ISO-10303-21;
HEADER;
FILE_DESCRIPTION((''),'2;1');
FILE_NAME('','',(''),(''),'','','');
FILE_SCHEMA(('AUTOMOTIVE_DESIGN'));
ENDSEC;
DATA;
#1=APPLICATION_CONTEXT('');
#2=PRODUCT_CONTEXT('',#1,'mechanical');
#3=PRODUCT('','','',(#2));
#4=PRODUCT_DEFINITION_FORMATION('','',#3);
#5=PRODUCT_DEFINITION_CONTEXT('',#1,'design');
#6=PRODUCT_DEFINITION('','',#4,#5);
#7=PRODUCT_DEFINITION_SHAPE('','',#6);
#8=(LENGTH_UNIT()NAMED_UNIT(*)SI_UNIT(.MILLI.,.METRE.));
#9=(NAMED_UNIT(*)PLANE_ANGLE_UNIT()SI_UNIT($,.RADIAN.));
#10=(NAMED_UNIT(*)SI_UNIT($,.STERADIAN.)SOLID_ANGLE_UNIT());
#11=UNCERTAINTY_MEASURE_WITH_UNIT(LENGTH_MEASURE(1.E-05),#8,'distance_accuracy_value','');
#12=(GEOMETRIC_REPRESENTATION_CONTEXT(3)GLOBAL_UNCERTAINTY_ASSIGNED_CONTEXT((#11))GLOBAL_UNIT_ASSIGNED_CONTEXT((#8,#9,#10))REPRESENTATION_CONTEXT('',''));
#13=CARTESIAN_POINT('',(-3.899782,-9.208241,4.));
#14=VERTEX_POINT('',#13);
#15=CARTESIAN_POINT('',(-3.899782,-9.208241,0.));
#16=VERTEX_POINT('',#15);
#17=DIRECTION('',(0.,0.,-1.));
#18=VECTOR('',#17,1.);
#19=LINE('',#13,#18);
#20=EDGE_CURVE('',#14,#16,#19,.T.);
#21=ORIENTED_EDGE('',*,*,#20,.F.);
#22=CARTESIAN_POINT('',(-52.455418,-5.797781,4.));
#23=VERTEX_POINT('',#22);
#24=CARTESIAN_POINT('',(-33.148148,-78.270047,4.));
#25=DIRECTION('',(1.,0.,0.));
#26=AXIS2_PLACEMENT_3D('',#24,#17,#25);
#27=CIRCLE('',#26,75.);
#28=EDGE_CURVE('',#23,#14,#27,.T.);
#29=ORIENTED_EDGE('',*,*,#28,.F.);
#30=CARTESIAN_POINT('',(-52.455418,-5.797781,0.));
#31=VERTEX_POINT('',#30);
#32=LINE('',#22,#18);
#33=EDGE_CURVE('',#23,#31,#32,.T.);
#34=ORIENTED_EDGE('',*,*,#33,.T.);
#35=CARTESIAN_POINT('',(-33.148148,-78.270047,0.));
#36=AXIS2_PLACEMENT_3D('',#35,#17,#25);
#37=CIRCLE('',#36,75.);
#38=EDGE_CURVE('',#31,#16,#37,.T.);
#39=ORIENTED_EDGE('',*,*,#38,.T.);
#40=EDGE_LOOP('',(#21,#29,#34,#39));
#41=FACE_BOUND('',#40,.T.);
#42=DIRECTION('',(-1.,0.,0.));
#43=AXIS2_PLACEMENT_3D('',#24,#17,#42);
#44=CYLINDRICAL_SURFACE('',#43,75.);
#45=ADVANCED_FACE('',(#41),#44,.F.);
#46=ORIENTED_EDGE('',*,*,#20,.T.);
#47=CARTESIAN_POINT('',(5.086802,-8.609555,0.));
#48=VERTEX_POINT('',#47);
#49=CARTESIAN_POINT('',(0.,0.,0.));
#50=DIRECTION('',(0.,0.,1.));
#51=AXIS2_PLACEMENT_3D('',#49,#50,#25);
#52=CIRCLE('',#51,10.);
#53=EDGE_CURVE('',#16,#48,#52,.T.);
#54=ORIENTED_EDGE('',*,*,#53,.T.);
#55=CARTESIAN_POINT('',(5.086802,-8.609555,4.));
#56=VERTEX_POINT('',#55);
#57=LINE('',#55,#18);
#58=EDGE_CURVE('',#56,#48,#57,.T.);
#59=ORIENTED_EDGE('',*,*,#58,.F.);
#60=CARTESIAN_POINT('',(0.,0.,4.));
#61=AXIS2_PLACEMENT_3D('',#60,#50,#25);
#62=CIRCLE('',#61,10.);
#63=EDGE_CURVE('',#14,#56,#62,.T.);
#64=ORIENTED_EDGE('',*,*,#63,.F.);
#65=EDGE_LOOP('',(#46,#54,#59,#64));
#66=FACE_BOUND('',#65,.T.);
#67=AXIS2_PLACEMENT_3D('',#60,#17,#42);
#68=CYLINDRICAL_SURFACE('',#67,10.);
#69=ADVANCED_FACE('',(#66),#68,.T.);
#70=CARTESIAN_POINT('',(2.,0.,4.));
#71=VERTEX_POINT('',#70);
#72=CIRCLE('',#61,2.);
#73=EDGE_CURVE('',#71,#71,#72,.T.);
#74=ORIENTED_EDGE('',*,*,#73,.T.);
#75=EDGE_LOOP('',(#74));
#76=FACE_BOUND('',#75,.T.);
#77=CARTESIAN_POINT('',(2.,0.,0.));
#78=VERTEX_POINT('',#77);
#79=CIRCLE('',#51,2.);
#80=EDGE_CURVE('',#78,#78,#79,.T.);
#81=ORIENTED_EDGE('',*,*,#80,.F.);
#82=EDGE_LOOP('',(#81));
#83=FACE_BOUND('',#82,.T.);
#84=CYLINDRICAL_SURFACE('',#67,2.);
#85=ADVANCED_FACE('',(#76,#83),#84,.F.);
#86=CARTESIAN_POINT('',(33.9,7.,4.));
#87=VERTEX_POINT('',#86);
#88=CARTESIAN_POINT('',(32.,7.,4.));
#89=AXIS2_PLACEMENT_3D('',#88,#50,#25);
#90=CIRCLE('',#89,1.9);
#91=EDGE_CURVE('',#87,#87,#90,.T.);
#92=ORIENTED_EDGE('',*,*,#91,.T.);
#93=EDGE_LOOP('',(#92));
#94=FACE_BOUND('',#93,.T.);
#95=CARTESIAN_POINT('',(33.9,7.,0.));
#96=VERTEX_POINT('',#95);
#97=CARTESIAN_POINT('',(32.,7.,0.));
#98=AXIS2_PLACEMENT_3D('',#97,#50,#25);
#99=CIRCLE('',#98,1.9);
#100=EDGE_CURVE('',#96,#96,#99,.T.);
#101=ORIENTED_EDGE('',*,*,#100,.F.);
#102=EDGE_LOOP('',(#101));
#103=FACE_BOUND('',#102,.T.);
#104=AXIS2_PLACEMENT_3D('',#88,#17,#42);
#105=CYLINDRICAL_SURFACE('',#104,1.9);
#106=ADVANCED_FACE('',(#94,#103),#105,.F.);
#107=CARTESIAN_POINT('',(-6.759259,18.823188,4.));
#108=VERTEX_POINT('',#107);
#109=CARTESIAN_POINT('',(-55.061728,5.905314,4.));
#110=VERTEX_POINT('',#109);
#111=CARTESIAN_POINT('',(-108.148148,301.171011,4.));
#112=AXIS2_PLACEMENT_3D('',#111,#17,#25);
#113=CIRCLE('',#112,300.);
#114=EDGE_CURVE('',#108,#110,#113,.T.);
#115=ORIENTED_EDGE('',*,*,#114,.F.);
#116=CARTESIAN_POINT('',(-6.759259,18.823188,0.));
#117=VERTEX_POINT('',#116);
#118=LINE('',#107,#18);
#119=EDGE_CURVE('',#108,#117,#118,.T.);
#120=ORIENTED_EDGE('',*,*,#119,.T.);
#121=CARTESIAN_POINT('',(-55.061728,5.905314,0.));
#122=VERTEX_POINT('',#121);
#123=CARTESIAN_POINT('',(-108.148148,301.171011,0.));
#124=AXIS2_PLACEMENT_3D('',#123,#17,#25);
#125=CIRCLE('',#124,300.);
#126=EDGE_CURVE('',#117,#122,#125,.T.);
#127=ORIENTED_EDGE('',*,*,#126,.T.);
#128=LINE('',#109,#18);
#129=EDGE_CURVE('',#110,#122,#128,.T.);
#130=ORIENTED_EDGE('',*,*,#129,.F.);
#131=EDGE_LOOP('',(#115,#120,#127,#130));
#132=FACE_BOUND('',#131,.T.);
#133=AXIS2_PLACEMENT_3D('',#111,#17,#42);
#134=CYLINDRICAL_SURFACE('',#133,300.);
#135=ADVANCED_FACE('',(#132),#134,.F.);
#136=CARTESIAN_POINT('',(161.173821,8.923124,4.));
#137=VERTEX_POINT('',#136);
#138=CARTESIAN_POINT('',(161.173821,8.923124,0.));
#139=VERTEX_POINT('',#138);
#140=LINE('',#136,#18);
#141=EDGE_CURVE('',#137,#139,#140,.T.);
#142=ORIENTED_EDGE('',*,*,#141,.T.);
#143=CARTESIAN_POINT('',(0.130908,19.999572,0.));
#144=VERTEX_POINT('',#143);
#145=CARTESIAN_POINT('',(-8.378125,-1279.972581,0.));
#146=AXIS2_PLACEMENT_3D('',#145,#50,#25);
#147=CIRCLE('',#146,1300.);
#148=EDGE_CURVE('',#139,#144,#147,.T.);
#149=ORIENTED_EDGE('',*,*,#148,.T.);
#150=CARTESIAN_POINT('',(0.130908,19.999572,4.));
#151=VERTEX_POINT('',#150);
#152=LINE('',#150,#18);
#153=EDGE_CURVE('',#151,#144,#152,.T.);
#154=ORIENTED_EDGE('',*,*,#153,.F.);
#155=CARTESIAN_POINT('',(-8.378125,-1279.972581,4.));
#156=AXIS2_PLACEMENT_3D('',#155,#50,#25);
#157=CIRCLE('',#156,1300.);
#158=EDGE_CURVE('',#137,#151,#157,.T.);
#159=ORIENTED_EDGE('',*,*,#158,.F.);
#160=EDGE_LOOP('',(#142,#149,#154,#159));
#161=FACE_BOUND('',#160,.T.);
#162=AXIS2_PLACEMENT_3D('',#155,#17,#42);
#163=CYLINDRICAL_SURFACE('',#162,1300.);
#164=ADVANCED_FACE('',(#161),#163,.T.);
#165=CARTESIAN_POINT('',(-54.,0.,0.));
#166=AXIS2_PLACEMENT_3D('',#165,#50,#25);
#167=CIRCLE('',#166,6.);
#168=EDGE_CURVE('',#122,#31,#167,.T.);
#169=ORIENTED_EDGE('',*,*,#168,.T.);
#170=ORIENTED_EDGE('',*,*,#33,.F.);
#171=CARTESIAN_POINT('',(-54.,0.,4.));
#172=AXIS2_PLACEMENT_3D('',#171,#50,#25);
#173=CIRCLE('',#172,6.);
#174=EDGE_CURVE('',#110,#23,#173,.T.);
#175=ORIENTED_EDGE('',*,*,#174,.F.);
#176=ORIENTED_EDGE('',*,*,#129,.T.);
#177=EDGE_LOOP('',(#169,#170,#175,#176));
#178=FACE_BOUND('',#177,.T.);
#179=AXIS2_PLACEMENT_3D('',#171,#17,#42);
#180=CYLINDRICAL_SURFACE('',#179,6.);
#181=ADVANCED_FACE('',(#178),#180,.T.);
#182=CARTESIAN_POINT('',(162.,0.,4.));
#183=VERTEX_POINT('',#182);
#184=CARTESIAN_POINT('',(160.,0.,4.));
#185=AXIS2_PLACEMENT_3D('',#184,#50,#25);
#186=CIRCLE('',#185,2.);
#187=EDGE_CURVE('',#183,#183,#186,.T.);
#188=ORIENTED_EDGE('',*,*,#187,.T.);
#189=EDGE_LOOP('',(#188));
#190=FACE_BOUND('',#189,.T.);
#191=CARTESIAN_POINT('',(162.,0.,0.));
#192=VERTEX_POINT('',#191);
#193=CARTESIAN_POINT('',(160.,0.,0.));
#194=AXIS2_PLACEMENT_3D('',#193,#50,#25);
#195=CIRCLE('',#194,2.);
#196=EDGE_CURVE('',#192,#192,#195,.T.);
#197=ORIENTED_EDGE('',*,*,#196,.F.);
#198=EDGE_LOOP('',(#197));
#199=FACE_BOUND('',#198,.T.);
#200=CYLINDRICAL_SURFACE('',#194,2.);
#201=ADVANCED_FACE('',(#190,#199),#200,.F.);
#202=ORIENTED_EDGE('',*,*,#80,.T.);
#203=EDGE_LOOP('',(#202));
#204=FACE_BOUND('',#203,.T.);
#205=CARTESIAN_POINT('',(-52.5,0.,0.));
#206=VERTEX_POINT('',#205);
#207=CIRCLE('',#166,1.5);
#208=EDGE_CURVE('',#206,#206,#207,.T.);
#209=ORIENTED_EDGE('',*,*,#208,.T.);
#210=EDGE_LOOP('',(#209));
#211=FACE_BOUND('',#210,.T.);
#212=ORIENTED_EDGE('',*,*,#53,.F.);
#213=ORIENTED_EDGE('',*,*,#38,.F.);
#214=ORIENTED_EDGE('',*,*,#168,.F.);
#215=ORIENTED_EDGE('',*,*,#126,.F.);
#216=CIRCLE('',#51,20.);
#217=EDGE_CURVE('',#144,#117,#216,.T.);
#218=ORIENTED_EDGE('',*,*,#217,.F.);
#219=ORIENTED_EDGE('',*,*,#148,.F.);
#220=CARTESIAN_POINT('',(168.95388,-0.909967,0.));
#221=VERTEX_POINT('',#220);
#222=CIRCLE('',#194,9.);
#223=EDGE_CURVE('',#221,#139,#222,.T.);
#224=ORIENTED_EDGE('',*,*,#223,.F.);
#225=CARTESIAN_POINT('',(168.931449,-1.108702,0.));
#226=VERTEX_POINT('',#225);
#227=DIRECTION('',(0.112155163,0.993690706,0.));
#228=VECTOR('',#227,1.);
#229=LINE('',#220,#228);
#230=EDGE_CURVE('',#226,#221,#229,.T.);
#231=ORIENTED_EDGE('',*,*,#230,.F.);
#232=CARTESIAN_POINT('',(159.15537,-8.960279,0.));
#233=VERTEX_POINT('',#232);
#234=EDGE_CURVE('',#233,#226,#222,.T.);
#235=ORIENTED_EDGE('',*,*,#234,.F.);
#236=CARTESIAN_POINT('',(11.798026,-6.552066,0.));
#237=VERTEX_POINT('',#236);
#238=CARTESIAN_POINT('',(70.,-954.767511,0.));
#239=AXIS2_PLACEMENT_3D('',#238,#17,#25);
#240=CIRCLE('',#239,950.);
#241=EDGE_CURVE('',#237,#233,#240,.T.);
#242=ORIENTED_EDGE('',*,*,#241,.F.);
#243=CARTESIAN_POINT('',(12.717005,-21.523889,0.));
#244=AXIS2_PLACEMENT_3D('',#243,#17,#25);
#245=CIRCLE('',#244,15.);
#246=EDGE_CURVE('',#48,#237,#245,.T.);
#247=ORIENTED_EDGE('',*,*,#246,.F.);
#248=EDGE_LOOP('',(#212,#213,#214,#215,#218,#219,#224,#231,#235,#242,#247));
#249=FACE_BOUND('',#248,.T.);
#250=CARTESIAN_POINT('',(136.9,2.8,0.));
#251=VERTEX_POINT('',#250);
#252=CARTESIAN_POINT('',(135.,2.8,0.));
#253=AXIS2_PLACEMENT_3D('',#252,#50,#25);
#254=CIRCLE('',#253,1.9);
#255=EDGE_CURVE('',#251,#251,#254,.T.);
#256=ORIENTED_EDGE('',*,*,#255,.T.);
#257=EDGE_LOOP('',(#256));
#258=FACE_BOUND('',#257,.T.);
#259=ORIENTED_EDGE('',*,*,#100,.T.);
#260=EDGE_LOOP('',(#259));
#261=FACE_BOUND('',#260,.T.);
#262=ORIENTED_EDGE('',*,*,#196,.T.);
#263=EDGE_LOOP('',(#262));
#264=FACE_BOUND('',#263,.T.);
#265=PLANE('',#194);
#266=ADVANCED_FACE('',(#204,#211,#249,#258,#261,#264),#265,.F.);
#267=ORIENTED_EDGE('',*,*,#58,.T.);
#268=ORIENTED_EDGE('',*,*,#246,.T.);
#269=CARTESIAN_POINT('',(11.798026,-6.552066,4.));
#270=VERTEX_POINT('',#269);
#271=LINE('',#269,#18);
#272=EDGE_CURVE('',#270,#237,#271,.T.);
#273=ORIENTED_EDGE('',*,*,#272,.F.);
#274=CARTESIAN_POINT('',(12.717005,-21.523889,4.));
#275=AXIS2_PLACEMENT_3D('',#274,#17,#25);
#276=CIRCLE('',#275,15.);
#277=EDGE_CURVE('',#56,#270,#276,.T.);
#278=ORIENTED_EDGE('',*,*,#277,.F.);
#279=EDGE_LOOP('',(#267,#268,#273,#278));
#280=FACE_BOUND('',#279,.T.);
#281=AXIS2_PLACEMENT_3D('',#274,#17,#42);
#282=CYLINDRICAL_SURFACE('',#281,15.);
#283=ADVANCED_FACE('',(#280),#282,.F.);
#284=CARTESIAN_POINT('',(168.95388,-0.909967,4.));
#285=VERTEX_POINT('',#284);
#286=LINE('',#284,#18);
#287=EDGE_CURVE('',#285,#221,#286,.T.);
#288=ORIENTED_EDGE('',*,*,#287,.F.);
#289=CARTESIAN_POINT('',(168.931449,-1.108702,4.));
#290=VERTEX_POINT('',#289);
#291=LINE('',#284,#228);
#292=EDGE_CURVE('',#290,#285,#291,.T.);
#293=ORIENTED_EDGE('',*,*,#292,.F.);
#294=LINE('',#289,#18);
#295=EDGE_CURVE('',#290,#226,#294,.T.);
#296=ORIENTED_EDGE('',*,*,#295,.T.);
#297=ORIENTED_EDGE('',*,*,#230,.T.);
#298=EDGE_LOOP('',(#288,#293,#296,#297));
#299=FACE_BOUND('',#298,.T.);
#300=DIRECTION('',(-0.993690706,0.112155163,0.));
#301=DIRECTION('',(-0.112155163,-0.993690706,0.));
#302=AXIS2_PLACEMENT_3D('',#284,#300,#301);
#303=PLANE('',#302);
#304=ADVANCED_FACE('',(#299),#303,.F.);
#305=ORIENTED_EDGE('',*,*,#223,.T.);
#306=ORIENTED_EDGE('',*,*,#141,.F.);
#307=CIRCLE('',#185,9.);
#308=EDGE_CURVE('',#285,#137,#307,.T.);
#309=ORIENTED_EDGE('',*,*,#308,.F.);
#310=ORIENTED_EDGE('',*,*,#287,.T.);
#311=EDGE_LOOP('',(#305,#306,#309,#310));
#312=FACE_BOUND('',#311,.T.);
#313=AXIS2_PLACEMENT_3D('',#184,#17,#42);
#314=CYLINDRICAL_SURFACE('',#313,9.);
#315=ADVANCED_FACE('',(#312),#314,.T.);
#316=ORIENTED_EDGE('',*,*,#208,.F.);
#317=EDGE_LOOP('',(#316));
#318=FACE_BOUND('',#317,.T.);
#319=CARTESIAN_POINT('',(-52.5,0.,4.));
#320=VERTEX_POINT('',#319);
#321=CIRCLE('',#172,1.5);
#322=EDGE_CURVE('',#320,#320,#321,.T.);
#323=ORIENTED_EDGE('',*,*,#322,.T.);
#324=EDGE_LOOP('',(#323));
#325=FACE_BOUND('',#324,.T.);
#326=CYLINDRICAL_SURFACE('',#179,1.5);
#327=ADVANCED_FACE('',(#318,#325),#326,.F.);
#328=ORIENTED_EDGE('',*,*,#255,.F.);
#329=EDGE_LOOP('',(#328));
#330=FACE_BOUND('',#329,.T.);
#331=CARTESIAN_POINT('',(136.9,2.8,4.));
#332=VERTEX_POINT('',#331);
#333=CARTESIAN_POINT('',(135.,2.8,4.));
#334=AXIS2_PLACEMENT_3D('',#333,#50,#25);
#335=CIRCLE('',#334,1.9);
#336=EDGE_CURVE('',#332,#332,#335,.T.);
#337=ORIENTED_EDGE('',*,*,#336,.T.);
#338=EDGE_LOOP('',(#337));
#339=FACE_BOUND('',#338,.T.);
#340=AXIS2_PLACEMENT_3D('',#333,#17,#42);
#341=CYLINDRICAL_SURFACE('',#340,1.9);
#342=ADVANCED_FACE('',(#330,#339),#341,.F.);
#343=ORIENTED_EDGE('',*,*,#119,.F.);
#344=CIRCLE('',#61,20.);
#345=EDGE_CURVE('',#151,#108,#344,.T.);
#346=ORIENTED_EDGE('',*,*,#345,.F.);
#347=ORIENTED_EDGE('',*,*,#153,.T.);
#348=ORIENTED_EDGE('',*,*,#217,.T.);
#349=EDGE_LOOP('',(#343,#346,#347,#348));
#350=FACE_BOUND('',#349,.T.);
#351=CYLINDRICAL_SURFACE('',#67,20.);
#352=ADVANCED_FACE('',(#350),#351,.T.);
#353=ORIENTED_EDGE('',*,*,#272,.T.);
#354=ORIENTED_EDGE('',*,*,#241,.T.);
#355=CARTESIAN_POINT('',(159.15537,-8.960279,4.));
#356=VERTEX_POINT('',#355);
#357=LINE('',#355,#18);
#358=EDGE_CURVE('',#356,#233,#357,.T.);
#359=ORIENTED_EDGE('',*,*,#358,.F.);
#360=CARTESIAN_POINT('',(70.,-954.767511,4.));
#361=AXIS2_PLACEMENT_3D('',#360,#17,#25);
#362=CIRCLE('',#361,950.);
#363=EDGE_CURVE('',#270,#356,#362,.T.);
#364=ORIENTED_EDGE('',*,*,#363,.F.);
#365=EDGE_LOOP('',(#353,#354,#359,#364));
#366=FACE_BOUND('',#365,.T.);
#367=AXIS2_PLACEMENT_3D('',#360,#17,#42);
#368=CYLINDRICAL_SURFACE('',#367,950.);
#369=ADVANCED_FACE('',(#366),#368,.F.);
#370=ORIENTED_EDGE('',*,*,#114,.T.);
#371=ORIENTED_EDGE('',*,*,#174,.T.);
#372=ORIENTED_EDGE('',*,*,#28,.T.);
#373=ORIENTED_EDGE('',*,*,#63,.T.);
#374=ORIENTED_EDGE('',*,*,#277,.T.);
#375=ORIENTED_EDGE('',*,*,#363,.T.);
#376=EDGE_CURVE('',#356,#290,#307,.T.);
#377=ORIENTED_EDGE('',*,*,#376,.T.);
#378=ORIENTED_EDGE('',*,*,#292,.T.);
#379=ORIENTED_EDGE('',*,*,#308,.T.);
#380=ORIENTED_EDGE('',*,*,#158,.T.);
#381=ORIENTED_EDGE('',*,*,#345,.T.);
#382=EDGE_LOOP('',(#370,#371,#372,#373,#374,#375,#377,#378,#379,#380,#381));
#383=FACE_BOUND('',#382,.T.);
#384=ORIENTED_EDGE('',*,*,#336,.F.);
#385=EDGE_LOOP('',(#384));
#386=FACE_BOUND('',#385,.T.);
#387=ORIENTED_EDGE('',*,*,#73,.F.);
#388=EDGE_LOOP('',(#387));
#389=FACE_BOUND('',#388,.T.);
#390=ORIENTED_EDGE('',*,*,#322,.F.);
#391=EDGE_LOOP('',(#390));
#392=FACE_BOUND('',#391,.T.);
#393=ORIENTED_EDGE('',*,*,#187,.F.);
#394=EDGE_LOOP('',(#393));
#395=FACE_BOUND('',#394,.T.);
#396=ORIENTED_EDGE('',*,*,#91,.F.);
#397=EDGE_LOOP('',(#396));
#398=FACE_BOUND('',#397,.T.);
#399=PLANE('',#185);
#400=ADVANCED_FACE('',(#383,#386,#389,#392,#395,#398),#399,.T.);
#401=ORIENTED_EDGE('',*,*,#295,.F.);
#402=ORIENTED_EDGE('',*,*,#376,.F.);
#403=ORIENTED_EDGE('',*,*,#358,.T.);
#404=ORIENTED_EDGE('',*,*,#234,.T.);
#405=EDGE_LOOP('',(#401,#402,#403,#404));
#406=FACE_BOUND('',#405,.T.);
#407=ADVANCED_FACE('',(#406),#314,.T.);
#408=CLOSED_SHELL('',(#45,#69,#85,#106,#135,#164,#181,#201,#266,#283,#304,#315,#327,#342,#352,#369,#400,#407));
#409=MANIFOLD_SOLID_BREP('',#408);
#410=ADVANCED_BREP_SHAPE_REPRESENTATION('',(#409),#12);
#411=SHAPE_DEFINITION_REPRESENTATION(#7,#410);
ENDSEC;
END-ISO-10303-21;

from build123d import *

# Parameters (mm, degrees)
SKETCH_1_R          = 1.9
SKETCH_1_R_2        = 1.5
SKETCH_1_R_3        = 2
EXTRUDE_1_DEPTH     = 4
SKETCH_2_R          = 2
CUT_EXTRUDE_1_DEPTH = 171.226319939


with BuildPart() as part:
    # 草图1 → 凸台-拉伸1 (new body)
    with BuildSketch(Plane.XY):
        with BuildLine():
            Line((168.953879648, -0.909966618), (168.931448962, -1.108701692))
            ThreePointArc((168.931448962, -1.108701692), (165.63568786, -7.017052255), (159.155370177, -8.960279039))
            ThreePointArc((159.155370177, -8.960279039), (85.523468127, -4.894349995), (11.798026408, -6.552065898))
            ThreePointArc((11.798026408, -6.552065898), (8.320365096, -7.182704729), (5.086801975, -8.609555486))
            ThreePointArc((5.086801975, -8.609555486), (0.664725554, -9.977882538), (-3.899782135, -9.208240836))
            ThreePointArc((-3.899782135, -9.208240836), (-27.893230932, -3.454367969), (-52.455418381, -5.797781267))
            ThreePointArc((-52.455418381, -5.797781267), (-59.85652595, -1.304263697), (-55.061728395, 5.905313947))
            ThreePointArc((-55.061728395, 5.905313947), (-30.640902591, 11.356196493), (-6.759259259, 18.823188207))
            ThreePointArc((-6.759259259, 18.823188207), (-3.365966263, 19.714722192), (0.130908203, 19.999571571))
            ThreePointArc((0.130908203, 19.999571571), (80.824453525, 16.963385457), (161.173821166, 8.923124109))
            ThreePointArc((161.173821166, 8.923124109), (167.057974161, 5.584353207), (168.953879648, -0.909966618))
        make_face()
        with Locations((32, 7)):
            Circle(SKETCH_1_R, mode=Mode.SUBTRACT)
        with Locations((135, 2.8)):
            Circle(SKETCH_1_R, mode=Mode.SUBTRACT)
        with Locations((-54, 0)):
            Circle(SKETCH_1_R_2, mode=Mode.SUBTRACT)
        Circle(SKETCH_1_R_3, mode=Mode.SUBTRACT)
        with Locations((160, 0)):
            Circle(SKETCH_1_R_2, mode=Mode.SUBTRACT)
    extrude(amount=EXTRUDE_1_DEPTH)

    # 草图2 → 切除-拉伸1 (cut, through all)
    with BuildSketch(Plane.XY.offset(4)):
        with Locations((160, 0)):
            Circle(SKETCH_2_R)
    extrude(amount=-CUT_EXTRUDE_1_DEPTH, mode=Mode.SUBTRACT)


solid = part.part
